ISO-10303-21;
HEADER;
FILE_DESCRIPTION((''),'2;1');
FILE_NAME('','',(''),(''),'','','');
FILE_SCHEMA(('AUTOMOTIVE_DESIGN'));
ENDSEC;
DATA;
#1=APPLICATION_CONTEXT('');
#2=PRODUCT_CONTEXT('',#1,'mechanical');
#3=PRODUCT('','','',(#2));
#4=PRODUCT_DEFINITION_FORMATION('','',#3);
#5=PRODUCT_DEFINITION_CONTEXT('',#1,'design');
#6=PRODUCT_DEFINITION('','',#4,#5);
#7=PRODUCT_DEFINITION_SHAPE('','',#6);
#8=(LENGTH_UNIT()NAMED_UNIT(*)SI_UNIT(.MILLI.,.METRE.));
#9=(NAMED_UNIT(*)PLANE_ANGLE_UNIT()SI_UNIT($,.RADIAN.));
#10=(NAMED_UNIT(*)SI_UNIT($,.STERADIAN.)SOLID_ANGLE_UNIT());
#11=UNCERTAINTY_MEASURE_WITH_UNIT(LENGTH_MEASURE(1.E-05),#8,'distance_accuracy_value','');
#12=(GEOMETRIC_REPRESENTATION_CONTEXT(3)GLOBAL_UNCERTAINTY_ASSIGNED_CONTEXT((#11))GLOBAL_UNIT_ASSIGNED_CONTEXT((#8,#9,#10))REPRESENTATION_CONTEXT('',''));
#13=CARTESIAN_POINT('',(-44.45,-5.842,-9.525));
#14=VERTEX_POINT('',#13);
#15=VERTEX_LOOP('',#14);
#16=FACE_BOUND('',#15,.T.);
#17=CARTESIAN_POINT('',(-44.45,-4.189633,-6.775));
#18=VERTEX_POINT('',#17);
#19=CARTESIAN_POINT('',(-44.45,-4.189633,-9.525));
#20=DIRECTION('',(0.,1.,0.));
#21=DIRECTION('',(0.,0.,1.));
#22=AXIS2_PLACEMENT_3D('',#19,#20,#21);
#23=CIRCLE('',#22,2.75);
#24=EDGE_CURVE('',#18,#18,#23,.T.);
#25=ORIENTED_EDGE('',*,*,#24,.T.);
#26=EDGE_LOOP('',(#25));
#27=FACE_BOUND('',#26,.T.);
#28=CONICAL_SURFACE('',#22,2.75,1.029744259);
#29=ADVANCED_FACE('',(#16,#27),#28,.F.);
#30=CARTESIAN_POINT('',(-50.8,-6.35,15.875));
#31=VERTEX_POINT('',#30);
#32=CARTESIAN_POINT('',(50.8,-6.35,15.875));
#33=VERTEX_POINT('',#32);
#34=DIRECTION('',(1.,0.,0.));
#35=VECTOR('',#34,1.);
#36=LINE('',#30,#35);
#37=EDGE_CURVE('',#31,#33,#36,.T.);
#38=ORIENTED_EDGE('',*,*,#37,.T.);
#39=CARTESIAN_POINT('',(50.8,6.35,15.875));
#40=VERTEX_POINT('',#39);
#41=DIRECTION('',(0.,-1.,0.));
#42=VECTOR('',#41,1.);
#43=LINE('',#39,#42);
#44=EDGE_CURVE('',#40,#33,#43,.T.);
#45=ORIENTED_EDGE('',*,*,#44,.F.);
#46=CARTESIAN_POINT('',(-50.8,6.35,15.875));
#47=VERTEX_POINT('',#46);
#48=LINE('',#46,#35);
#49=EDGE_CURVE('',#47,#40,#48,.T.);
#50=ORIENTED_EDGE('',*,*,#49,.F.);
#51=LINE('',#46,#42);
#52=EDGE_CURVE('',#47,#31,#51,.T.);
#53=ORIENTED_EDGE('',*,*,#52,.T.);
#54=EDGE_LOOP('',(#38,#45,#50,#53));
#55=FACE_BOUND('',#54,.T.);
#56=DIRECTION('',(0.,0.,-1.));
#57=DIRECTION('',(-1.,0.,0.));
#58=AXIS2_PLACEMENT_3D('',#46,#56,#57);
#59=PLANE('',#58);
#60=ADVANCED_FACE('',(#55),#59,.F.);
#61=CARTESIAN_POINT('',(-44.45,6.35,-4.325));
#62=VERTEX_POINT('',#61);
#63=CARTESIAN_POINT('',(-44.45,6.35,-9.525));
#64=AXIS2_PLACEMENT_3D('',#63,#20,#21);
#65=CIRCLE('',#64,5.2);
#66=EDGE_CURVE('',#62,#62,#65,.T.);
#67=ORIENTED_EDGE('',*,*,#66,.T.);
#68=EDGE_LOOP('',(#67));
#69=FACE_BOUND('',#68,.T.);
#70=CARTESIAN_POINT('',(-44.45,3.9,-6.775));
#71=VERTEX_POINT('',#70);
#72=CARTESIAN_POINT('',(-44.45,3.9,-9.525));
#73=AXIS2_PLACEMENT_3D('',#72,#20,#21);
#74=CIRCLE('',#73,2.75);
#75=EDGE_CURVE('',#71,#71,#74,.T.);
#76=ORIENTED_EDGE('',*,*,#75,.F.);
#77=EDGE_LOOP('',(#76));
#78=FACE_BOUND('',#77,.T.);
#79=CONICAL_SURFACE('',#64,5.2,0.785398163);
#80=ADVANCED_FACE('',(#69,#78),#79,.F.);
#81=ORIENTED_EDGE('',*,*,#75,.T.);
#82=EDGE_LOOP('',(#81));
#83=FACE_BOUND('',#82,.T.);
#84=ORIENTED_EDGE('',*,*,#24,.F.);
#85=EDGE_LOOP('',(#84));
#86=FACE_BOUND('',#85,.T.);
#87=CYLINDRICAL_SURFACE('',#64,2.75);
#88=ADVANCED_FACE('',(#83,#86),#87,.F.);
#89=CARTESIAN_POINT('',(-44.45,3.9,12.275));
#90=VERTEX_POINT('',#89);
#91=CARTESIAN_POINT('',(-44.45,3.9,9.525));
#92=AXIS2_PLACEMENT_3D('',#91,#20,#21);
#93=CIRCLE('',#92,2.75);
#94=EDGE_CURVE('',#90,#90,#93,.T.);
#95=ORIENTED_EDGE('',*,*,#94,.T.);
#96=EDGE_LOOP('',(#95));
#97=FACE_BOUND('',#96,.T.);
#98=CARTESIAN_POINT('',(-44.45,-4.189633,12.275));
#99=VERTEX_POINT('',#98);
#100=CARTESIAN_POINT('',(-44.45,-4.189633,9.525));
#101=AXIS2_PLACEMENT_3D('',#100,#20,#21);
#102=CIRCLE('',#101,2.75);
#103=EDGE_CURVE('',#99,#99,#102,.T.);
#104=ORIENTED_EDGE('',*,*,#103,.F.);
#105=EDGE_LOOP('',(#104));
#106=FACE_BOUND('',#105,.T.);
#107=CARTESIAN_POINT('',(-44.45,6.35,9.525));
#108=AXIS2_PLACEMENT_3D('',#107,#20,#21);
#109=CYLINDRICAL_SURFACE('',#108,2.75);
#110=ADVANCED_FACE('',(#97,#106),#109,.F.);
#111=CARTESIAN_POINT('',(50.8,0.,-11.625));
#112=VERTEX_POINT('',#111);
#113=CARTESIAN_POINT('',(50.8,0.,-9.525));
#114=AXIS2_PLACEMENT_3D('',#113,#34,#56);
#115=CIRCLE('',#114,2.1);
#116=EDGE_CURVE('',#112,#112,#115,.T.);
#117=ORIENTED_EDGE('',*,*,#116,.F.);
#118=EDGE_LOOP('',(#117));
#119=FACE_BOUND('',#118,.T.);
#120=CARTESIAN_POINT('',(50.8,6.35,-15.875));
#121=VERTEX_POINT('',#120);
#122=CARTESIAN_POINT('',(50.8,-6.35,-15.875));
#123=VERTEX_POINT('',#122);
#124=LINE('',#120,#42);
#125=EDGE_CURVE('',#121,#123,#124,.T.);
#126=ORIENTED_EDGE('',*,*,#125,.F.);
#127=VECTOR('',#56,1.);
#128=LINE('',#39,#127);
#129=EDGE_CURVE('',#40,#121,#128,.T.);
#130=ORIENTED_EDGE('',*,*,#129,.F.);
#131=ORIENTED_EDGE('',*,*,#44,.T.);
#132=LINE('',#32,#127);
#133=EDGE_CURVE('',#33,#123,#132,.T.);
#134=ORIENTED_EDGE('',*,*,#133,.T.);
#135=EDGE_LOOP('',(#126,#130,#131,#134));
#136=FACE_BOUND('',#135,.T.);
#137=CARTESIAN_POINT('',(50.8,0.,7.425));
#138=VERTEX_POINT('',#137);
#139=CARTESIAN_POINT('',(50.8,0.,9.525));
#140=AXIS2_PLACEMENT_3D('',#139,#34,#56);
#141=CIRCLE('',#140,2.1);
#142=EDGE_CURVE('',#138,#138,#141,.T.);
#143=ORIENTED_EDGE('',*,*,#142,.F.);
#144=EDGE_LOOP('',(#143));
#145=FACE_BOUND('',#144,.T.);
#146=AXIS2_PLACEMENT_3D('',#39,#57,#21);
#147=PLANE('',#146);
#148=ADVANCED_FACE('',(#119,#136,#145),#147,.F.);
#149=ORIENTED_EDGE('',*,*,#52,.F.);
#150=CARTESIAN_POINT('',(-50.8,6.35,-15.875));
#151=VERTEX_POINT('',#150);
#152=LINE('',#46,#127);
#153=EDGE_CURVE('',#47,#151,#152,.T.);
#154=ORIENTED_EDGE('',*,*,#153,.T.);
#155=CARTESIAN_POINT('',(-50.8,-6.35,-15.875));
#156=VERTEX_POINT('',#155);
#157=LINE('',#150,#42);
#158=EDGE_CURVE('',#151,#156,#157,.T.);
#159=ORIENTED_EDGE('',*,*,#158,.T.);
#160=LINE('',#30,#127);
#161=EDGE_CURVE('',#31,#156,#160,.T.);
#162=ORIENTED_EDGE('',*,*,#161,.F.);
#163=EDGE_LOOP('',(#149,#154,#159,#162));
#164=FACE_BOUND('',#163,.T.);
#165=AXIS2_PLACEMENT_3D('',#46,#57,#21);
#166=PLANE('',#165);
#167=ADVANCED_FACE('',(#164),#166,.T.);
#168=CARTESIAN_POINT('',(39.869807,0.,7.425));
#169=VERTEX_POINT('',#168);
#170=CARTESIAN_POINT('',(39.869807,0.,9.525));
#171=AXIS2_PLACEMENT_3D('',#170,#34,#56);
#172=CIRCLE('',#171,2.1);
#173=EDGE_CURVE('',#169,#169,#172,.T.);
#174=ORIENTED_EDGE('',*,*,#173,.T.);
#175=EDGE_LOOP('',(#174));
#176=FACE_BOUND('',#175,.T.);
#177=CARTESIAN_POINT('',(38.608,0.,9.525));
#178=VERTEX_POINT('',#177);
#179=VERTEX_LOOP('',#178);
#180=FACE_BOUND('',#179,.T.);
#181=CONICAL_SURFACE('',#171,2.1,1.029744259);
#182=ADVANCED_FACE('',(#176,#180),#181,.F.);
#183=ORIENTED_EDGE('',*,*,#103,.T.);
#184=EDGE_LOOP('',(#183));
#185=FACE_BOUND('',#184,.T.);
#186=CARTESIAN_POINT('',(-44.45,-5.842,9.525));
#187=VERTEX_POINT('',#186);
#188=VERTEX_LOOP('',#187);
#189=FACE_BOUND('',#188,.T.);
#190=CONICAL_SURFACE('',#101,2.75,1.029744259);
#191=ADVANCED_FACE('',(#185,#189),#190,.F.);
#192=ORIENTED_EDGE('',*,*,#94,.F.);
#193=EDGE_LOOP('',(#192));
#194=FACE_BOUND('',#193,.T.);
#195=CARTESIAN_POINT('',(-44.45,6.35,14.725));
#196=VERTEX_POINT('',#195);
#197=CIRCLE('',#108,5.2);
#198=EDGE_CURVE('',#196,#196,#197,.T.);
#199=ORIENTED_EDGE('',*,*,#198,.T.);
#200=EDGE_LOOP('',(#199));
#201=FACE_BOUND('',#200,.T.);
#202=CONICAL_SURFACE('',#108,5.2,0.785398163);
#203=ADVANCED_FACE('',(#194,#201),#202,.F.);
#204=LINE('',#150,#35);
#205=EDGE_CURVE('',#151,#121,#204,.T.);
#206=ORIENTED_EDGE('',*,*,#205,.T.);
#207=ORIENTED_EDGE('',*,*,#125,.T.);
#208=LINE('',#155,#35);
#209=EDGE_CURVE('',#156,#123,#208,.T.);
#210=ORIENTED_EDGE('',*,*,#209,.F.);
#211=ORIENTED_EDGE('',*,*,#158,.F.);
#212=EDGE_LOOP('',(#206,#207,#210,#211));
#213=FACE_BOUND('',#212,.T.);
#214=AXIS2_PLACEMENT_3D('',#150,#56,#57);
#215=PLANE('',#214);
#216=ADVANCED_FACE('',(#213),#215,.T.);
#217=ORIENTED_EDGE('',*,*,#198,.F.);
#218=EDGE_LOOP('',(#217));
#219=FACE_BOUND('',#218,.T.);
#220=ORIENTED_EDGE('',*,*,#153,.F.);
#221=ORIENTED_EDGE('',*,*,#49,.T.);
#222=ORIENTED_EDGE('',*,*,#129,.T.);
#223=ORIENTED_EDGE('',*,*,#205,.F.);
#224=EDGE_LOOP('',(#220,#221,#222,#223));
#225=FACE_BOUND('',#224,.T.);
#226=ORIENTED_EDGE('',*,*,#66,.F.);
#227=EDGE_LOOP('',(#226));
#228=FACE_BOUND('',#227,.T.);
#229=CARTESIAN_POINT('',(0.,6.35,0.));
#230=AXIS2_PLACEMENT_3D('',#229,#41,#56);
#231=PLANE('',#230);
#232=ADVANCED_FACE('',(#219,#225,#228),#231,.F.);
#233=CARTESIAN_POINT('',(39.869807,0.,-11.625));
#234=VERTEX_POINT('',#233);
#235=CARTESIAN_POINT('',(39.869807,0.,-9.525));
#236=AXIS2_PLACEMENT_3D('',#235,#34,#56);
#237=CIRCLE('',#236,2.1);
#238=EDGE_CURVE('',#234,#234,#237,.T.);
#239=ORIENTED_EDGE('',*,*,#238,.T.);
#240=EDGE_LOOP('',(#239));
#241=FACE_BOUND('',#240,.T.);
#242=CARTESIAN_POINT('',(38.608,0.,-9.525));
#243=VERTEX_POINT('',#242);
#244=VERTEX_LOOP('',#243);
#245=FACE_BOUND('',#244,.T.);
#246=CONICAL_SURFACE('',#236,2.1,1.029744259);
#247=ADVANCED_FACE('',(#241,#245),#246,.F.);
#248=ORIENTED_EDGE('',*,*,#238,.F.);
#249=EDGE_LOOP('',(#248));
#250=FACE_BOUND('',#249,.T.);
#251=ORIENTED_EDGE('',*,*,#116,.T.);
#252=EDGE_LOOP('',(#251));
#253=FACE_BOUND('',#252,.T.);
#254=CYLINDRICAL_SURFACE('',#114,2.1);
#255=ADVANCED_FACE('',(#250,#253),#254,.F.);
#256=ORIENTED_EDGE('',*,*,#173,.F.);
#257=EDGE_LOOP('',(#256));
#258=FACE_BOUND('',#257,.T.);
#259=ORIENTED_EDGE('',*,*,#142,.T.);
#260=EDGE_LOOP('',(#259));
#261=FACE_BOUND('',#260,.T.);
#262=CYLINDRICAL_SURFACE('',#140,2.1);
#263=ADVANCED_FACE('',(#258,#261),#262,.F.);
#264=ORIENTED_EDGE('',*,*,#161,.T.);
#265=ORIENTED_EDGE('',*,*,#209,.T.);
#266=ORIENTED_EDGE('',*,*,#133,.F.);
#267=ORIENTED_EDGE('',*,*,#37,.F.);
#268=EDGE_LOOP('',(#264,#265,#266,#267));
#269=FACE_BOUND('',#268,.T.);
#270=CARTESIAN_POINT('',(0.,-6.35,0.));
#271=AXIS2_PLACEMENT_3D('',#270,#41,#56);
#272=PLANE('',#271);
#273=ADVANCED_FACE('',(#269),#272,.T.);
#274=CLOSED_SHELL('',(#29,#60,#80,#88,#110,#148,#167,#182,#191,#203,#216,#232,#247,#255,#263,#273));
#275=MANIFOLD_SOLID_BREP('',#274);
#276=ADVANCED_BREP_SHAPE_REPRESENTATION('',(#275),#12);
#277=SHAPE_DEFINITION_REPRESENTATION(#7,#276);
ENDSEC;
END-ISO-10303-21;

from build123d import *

# Parameters (mm, degrees)
SKETCH1_W                                       = 101.6
SKETCH1_H                                       = 31.75
BOSS_EXTRUDE1_DEPTH                             = 6.35
M5X0_8_TAPPED_HOLE1_D                           = 4.2
M5X0_8_TAPPED_HOLE1_DEPTH                       = 10.9301927
M5X0_8_TAPPED_HOLE1_TIP                         = 1.2618073
CSK_FOR_M5_FLAT_HEAD_MACHINE_SCREW1_D           = 5.5
CSK_FOR_M5_FLAT_HEAD_MACHINE_SCREW1_DEPTH       = 10.539633298
CSK_FOR_M5_FLAT_HEAD_MACHINE_SCREW1_CSINK_D     = 10.4
CSK_FOR_M5_FLAT_HEAD_MACHINE_SCREW1_CSINK_ANGLE = 90
CSK_FOR_M5_FLAT_HEAD_MACHINE_SCREW1_TIP         = 1.652366702


with BuildPart() as part:
    # Sketch1 → Boss-Extrude1 (new, symmetric)
    with BuildSketch(Plane(origin=(0, 0, 0), x_dir=(1, 0, 0), z_dir=(0, 1, 0))):
        Rectangle(SKETCH1_W, SKETCH1_H)
    extrude(amount=BOSS_EXTRUDE1_DEPTH, both=True)

    # M5x0.8 Tapped Hole1
    with Locations(Plane(origin=(50.8, 0, 0), x_dir=(0, 0, -1), z_dir=(1, 0, 0))):
        with Locations((-9.525, 0), (9.525, 0)):
            Hole(M5X0_8_TAPPED_HOLE1_D / 2, depth=M5X0_8_TAPPED_HOLE1_DEPTH)
            with Locations((0, 0, -(M5X0_8_TAPPED_HOLE1_DEPTH + M5X0_8_TAPPED_HOLE1_TIP / 2))):  # 118° drill point
                Cone(0, M5X0_8_TAPPED_HOLE1_D / 2, M5X0_8_TAPPED_HOLE1_TIP, mode=Mode.SUBTRACT)

    # CSK for M5 Flat Head Machine Screw1
    with Locations(Plane(origin=(0, 6.35, 0), x_dir=(1, 0, 0), z_dir=(0, 1, 0))):
        with Locations((-44.45, -9.525), (-44.45, 9.525)):
            CounterSinkHole(CSK_FOR_M5_FLAT_HEAD_MACHINE_SCREW1_D / 2, CSK_FOR_M5_FLAT_HEAD_MACHINE_SCREW1_CSINK_D / 2, depth=CSK_FOR_M5_FLAT_HEAD_MACHINE_SCREW1_DEPTH, counter_sink_angle=CSK_FOR_M5_FLAT_HEAD_MACHINE_SCREW1_CSINK_ANGLE)
            with Locations((0, 0, -(CSK_FOR_M5_FLAT_HEAD_MACHINE_SCREW1_DEPTH + CSK_FOR_M5_FLAT_HEAD_MACHINE_SCREW1_TIP / 2))):  # 118° drill point
                Cone(0, CSK_FOR_M5_FLAT_HEAD_MACHINE_SCREW1_D / 2, CSK_FOR_M5_FLAT_HEAD_MACHINE_SCREW1_TIP, mode=Mode.SUBTRACT)


solid = part.part
